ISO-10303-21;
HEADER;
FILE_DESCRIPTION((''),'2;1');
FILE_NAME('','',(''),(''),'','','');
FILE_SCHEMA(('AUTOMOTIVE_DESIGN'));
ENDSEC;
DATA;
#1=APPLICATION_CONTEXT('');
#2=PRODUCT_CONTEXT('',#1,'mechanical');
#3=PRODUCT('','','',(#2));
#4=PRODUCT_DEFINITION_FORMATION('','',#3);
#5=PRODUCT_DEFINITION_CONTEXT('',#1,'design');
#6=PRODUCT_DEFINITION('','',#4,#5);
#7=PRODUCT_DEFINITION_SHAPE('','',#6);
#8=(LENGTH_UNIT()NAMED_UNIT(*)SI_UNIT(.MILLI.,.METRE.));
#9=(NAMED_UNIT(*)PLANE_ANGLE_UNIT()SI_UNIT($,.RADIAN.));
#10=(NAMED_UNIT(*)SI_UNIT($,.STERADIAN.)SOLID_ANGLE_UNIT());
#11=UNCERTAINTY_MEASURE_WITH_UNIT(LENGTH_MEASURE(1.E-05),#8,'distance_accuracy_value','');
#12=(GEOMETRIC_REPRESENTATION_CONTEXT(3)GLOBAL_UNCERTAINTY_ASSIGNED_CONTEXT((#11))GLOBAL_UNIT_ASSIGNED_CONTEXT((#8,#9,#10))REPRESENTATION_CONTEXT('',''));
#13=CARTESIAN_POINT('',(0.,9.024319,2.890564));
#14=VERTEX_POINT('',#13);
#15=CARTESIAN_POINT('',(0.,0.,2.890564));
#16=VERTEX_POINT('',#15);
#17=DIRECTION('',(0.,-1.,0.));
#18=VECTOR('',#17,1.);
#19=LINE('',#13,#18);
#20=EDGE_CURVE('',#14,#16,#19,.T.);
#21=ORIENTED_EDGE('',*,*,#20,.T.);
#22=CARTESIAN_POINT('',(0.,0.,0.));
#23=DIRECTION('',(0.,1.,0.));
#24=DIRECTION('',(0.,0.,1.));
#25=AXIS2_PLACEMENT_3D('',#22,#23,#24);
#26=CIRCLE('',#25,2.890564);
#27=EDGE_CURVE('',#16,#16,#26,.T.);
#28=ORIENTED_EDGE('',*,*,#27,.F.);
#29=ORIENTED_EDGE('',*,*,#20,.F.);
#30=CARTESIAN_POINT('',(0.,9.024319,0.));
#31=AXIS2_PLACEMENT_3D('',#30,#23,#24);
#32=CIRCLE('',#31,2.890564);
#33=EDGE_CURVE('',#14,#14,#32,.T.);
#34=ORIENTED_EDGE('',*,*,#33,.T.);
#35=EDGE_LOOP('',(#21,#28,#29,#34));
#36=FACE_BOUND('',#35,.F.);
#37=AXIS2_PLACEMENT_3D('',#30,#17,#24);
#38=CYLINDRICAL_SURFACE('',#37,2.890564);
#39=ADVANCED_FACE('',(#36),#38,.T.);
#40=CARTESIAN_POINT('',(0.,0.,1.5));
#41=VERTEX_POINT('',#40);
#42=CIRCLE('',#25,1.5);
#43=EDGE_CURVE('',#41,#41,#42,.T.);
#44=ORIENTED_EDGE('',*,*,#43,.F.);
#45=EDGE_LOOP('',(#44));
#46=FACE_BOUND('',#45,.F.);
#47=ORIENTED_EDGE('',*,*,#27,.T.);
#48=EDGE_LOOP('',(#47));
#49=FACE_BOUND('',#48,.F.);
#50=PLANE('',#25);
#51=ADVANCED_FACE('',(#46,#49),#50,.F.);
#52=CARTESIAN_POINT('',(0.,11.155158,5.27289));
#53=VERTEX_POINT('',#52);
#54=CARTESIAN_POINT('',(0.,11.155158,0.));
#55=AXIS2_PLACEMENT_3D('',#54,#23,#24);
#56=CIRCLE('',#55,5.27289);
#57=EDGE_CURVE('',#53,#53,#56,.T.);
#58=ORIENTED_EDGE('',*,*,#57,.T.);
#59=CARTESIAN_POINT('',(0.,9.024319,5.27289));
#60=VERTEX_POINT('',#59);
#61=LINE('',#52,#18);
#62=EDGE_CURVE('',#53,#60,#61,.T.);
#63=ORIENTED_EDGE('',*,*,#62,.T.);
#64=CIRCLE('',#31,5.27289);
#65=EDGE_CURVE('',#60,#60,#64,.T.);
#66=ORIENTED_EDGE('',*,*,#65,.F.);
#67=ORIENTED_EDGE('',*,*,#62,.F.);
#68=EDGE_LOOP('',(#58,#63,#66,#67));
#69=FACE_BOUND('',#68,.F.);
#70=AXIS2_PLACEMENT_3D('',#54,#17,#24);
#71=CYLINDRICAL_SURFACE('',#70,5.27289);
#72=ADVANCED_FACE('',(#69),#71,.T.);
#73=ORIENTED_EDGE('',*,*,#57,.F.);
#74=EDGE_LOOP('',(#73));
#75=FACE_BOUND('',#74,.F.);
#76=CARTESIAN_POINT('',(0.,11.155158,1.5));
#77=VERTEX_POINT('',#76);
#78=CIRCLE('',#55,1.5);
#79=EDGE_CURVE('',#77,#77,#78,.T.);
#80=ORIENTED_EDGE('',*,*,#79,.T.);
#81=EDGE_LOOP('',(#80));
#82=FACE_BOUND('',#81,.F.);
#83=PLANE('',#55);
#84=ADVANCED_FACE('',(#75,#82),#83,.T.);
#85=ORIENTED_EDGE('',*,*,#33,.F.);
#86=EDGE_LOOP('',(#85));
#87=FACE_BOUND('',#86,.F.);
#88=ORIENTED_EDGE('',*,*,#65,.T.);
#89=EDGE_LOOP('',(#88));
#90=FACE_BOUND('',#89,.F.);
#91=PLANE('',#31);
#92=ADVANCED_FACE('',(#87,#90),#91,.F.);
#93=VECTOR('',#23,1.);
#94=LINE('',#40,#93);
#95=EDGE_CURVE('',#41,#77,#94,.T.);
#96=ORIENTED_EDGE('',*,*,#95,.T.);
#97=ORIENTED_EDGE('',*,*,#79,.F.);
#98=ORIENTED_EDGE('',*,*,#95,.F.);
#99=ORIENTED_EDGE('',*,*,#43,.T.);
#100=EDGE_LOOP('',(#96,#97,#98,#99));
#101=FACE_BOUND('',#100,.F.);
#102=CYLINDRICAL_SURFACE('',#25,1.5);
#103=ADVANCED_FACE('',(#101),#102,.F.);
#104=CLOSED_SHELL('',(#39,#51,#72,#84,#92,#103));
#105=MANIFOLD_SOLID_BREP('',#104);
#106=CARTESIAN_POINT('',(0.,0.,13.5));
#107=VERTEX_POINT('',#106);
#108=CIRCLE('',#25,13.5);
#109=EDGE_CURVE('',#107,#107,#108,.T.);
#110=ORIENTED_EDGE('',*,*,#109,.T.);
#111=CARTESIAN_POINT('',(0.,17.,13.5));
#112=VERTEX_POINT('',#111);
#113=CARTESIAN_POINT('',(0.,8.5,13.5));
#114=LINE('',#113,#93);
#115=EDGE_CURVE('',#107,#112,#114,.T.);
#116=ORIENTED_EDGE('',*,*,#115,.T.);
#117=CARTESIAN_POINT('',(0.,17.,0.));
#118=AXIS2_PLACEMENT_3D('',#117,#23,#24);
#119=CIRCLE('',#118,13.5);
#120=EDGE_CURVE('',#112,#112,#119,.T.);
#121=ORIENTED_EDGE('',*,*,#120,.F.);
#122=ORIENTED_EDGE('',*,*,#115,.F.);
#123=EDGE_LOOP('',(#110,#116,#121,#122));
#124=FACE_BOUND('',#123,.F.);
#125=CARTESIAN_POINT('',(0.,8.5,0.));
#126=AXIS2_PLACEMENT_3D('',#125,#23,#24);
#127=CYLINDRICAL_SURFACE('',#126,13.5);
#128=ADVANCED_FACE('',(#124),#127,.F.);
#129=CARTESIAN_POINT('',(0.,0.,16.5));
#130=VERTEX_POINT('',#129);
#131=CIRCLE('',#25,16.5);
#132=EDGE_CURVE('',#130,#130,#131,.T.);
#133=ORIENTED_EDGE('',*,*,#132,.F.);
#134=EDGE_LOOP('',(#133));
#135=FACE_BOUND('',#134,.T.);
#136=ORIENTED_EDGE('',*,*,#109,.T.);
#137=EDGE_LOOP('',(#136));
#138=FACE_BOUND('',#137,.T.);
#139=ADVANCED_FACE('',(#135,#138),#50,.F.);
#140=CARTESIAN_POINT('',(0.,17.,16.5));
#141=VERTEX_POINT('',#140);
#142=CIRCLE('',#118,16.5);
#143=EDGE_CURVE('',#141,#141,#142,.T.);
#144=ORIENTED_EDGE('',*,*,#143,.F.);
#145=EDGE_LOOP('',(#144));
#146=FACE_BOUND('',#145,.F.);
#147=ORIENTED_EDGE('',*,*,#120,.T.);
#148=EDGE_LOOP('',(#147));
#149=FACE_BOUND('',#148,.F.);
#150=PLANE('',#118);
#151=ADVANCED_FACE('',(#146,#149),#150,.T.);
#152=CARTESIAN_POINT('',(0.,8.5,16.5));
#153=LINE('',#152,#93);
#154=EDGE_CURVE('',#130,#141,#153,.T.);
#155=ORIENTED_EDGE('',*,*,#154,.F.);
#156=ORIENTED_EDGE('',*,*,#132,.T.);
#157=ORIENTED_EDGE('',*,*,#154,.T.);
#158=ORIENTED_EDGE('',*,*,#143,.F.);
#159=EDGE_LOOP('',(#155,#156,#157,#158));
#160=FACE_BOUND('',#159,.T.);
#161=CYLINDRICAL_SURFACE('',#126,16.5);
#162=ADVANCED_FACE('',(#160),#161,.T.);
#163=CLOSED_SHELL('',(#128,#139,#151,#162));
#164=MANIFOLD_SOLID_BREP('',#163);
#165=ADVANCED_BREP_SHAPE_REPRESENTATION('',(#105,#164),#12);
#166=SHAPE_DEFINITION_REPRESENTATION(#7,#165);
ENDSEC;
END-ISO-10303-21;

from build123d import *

# Parameters (mm, degrees)
F0_W = 17
F0_H = 3


with BuildPart() as f1:
    # F0 (on Right) → F1 (revolve)
    with BuildSketch(Plane.YZ):
        with Locations((8.5, 15)):
            Rectangle(F0_W, F0_H)
        Polygon((0, 2.890564), (0, 1.5), (11.155158, 1.5), (11.155158, 5.27289), (9.024319, 5.27289), (9.024319, 2.890564), align=None)
    revolve(axis=Axis((0, 8.5, 0), (0, 1, 0)))


solid = f1.part
